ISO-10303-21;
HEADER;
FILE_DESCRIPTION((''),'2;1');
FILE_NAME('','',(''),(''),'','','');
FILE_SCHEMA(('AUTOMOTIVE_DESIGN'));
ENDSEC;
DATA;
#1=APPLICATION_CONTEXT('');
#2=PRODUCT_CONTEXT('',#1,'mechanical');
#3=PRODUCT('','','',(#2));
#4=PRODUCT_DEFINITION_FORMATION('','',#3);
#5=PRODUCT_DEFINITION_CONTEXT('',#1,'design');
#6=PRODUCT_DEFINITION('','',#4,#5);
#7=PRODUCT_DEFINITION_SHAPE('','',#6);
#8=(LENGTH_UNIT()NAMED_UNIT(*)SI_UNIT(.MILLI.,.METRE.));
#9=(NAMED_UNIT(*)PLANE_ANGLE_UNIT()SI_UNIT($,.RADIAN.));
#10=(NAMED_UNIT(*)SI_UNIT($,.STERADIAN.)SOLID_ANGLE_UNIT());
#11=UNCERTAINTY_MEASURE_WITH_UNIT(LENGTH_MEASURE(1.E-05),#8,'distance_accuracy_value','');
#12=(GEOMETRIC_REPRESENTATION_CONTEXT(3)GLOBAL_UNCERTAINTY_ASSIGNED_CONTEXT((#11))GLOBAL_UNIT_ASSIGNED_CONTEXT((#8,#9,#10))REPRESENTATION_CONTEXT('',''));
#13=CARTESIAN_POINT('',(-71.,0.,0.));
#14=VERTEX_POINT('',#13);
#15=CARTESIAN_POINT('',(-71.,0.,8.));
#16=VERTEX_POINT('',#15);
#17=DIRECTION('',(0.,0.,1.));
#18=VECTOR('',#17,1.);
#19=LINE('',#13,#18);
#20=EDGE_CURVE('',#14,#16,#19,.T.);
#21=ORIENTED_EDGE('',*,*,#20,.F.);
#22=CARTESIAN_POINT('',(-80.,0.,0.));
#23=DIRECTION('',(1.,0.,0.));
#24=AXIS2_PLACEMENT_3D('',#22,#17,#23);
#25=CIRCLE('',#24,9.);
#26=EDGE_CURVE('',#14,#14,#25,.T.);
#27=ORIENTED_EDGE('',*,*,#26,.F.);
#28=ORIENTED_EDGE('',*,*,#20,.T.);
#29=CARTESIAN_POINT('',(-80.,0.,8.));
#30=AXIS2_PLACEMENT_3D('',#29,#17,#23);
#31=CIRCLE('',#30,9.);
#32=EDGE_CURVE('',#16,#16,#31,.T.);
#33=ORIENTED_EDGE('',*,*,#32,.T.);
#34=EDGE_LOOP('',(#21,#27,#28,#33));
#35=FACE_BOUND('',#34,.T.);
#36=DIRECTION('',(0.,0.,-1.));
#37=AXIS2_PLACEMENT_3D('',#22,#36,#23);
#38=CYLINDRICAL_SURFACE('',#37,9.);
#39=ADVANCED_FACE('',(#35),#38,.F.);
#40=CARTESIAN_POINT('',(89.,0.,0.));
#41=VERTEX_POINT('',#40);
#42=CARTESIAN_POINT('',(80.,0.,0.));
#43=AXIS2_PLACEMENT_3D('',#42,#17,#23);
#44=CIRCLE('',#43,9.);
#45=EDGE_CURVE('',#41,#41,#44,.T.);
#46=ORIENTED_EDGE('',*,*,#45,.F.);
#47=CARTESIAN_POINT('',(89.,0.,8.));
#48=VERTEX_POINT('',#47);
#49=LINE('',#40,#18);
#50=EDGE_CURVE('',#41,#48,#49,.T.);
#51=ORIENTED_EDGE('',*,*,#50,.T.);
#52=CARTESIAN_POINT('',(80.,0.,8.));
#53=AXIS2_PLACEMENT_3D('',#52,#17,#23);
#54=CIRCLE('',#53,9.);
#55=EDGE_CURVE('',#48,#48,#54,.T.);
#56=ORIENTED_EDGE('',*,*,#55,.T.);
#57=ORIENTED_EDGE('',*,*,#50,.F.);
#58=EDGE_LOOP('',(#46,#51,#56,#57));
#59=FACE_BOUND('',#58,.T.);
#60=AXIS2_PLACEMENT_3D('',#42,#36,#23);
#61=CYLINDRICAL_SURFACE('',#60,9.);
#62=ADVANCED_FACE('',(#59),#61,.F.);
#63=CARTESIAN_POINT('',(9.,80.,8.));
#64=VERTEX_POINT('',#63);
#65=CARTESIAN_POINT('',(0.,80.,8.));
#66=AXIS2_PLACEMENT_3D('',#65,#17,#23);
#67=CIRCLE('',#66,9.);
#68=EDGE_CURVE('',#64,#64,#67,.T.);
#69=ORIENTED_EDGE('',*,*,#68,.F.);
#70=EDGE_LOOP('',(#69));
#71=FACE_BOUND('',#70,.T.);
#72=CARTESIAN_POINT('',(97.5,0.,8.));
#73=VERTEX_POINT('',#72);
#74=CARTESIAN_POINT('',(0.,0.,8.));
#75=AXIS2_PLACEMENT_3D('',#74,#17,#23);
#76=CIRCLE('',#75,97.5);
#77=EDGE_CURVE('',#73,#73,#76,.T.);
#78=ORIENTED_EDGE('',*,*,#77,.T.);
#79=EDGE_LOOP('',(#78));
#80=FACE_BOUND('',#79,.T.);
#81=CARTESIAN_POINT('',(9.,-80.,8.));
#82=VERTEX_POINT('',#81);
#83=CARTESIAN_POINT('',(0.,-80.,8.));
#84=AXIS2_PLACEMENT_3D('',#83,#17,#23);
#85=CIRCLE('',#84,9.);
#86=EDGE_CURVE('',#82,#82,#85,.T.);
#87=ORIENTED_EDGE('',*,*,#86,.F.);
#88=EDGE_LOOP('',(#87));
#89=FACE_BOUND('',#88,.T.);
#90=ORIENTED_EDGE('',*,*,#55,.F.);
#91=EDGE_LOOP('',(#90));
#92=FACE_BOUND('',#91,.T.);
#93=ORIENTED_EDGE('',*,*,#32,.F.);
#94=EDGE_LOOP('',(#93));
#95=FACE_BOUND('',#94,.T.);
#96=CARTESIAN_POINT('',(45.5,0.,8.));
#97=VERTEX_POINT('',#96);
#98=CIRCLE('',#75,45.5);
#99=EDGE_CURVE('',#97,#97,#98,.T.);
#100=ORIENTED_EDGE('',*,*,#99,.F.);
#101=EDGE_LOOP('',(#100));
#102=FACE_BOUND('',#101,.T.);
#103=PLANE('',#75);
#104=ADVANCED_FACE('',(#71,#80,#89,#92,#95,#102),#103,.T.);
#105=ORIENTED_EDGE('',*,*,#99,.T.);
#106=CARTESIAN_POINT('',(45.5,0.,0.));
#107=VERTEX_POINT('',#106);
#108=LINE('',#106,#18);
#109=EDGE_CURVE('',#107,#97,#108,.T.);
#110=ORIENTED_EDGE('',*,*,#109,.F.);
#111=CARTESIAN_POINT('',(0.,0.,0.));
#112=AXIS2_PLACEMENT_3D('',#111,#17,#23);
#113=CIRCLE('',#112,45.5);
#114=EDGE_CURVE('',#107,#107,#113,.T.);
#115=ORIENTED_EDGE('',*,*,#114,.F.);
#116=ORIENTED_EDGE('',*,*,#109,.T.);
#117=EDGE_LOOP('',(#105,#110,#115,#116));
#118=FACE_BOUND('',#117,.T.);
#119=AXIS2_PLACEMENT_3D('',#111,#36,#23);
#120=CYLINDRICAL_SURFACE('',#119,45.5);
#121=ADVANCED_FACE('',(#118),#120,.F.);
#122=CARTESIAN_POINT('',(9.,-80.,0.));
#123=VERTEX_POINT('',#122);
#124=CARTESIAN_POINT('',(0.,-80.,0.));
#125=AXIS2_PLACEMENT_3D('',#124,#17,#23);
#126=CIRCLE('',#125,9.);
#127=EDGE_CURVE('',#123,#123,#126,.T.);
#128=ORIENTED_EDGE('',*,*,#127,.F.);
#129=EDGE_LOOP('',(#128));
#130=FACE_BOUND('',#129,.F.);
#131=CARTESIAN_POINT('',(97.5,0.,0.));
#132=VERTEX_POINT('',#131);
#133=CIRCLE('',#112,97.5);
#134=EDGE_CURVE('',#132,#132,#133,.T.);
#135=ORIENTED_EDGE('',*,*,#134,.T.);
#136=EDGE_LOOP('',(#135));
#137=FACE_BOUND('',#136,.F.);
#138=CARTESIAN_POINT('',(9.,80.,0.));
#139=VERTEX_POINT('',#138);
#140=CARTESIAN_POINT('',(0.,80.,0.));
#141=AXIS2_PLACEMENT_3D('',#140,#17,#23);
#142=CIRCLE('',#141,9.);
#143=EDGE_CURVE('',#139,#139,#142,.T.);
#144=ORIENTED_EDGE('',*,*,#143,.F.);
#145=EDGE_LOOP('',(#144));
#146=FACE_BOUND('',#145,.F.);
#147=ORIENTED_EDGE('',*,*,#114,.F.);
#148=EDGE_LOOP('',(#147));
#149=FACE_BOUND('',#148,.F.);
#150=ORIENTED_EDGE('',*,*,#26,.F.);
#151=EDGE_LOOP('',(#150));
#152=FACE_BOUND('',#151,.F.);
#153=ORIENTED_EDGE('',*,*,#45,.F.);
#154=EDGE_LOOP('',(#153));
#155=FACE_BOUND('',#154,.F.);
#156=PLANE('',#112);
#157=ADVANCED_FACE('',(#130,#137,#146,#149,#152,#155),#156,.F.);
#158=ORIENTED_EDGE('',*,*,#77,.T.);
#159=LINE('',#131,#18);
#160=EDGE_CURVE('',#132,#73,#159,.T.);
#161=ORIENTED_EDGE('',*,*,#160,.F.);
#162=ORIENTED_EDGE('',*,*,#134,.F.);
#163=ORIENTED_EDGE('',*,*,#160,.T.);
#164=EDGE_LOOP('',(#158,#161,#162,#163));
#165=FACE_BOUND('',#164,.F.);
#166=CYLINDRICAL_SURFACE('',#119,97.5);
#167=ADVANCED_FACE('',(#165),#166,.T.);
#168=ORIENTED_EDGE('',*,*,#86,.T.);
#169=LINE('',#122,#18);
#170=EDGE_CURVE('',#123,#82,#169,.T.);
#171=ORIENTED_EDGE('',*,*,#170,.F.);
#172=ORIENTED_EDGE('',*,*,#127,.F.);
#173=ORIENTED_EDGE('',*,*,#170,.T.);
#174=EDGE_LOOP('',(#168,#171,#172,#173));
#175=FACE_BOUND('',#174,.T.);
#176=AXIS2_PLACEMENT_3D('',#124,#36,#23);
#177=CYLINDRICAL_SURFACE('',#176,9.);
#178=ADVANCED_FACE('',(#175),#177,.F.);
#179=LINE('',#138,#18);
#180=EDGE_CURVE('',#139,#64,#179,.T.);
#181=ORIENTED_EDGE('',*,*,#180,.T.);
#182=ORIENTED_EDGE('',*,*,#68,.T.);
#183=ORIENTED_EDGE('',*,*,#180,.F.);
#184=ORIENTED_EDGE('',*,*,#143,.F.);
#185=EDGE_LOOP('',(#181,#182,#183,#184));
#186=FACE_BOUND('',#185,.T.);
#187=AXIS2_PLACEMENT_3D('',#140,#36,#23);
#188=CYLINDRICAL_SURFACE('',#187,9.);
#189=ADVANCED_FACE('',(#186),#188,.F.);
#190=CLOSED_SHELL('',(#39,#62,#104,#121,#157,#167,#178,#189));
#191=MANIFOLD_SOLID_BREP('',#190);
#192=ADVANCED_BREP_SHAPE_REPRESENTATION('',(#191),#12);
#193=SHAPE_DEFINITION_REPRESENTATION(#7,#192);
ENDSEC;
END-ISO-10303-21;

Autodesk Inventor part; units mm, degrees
ref_plane "YZ Plane" through (0, 0, 0) normal (1, 0, 0) x (0, 1, 0)
ref_plane "XZ Plane" through (0, 0, 0) normal (0, 1, 0) x (-1, 0, 0)
ref_plane "XY Plane" through (0, 0, 0) normal (0, 0, 1) x (1, 0, 0)
sketch "Sketch2" plane through (0, 0, 0) normal (0, 0, 1) x (1, 0, 0)
  circle A0 centre (0, 0) radius 45.5
  circle A1 centre (0, 0) radius 97.5
  circle A2 centre (0, 0) radius 80 construction
  circle A3 centre (80, 0) radius 9
  circle A4 centre (0, 80) radius 9
  circle A5 centre (-80, 0) radius 9
  circle A6 centre (0, -80) radius 9
  dimension "D_b_c" = 160
  dimension "D_min" = 91
  dimension "D_max" = 195
  dimension "Blt_hl" = 18
  dimension "d33" = 360
extrude "Plate2" add sketch "Sketch2" along normal blind 8
equation "\"d14\" = Thickness"
equation "\"BendReliefWidth\" = Thickness"
equation "\"BendReliefDepth\" = 0.5 * Thickness"
equation "\"CornerReliefSize\" = 4 * Thickness"
equation "\"MinimumRemnant\" = 2 * Thickness"
equation "\"TransitionRadius\" = BendRadius"
equation "\"JacobiRadiusSize\" = BendRadius"
equation "\"GapSize\" = Thickness"
equation "\"Thickness\" = 8"
equation "\"BendRadius\" = 6"
properties part number "PRS 940-33 charging blind flange" material "Steel"
